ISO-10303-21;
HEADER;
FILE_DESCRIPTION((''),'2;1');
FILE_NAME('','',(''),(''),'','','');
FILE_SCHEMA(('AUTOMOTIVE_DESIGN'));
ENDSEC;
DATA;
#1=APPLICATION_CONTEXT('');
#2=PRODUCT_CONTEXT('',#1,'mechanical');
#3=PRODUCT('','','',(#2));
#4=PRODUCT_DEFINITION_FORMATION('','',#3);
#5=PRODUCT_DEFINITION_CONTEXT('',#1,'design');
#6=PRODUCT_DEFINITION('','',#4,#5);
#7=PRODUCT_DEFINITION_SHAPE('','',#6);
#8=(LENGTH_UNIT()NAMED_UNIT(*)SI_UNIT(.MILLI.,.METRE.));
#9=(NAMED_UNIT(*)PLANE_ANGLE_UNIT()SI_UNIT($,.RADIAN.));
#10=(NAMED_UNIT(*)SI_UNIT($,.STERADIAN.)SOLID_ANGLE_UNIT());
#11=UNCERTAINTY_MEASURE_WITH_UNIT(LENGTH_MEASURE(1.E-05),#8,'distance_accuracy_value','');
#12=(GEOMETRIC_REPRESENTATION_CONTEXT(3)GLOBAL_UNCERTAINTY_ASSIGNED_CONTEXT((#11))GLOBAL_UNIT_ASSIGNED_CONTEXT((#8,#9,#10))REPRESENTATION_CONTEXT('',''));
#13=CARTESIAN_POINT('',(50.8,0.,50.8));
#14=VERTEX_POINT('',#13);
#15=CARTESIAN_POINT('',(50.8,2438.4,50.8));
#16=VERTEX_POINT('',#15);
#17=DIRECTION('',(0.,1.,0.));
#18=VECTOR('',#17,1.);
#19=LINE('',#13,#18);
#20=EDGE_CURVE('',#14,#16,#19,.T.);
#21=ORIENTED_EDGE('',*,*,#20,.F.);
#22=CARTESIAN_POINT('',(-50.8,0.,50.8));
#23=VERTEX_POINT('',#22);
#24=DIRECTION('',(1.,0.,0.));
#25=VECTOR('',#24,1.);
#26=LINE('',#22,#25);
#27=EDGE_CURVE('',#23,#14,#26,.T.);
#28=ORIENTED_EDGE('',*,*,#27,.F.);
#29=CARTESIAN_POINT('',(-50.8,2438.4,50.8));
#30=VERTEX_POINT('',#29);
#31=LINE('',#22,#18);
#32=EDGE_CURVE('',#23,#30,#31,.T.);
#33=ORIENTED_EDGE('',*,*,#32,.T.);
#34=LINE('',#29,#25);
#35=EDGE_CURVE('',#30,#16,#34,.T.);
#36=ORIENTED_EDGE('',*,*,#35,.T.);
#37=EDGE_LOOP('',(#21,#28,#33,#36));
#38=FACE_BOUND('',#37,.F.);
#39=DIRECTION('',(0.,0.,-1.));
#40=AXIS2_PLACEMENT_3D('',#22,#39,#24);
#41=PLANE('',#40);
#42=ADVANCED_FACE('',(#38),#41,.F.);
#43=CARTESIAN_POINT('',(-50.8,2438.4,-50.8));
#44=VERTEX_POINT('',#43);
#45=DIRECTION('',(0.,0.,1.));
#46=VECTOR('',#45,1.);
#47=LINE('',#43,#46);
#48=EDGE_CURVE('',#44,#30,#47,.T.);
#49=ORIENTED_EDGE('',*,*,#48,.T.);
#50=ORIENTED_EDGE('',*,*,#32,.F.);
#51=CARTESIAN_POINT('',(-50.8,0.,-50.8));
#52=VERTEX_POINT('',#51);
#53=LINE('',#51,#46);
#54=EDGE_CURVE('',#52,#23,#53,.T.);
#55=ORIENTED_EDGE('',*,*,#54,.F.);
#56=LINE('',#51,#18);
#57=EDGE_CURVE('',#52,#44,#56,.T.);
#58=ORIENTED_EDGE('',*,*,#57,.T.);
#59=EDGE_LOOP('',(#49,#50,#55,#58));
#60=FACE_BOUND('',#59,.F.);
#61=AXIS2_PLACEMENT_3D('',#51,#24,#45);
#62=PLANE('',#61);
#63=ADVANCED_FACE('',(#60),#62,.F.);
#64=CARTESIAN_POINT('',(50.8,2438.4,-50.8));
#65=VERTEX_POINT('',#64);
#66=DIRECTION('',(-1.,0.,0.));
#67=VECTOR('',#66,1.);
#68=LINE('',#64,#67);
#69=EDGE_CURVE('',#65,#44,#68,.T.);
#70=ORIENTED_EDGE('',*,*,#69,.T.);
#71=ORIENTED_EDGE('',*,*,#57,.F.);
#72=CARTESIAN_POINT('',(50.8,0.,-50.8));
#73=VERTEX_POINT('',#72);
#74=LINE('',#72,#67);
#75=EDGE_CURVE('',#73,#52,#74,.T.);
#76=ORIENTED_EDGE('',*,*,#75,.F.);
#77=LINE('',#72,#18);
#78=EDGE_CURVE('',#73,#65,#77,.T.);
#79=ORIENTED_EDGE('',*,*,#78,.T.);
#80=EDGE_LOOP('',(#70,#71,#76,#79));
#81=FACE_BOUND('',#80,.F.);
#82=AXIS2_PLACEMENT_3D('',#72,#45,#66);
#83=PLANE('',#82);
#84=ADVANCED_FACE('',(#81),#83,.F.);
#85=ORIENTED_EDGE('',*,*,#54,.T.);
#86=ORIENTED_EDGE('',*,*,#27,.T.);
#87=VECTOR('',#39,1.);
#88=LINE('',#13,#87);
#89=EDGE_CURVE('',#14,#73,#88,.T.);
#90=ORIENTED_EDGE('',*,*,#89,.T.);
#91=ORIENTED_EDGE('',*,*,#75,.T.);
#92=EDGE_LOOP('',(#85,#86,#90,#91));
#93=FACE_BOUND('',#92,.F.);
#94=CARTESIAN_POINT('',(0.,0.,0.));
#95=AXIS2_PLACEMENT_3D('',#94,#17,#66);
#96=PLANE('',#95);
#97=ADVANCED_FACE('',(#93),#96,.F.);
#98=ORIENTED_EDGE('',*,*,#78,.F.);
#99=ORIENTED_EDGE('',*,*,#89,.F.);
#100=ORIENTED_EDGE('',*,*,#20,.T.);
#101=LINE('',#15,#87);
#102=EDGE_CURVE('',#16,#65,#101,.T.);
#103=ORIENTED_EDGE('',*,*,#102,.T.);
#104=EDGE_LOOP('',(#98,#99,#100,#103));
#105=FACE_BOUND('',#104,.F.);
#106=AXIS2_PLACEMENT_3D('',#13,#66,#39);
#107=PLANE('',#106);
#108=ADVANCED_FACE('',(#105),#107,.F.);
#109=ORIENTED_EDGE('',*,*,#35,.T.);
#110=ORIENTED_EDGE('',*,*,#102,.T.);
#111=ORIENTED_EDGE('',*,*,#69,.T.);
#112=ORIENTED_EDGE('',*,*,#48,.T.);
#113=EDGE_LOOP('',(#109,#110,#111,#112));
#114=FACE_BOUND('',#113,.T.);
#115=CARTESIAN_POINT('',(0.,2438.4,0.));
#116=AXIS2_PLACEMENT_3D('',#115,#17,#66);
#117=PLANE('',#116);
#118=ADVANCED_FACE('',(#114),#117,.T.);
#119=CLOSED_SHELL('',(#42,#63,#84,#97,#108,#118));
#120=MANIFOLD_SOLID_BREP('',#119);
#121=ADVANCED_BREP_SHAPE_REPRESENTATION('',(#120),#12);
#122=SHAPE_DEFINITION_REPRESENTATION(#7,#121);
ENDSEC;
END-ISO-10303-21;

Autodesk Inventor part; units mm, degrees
ref_plane "YZ Plane" through (0, 0, 0) normal (1, 0, 0) x (0, 1, 0)
ref_plane "XZ Plane" through (0, 0, 0) normal (0, 1, 0) x (-1, 0, 0)
ref_plane "XY Plane" through (0, 0, 0) normal (0, 0, 1) x (1, 0, 0)
sketch "Sketch1" plane through (0, 0, 0) normal (0, 1, 0) x (-1, 0, 0)
  line L0 (-50.8, 50.8) -> (-50.8, -50.8)
  line L1 (-50.8, -50.8) -> (50.8, -50.8)
  line L2 (50.8, -50.8) -> (50.8, 50.8)
  line L3 (50.8, 50.8) -> (-50.8, 50.8)
  line L4 (-50.8, 50.8) -> (50.8, -50.8) construction
  line L5 (-50.8, -50.8) -> (50.8, 50.8) construction
  point P0 (0, 0)
  dimension "d0" = 101.6
  dimension "d1" = 101.6
extrude "Extrusion1" add sketch "Sketch1" along normal blind 2438.4
properties part number "4x4x96" material "Wood (Birch)"
